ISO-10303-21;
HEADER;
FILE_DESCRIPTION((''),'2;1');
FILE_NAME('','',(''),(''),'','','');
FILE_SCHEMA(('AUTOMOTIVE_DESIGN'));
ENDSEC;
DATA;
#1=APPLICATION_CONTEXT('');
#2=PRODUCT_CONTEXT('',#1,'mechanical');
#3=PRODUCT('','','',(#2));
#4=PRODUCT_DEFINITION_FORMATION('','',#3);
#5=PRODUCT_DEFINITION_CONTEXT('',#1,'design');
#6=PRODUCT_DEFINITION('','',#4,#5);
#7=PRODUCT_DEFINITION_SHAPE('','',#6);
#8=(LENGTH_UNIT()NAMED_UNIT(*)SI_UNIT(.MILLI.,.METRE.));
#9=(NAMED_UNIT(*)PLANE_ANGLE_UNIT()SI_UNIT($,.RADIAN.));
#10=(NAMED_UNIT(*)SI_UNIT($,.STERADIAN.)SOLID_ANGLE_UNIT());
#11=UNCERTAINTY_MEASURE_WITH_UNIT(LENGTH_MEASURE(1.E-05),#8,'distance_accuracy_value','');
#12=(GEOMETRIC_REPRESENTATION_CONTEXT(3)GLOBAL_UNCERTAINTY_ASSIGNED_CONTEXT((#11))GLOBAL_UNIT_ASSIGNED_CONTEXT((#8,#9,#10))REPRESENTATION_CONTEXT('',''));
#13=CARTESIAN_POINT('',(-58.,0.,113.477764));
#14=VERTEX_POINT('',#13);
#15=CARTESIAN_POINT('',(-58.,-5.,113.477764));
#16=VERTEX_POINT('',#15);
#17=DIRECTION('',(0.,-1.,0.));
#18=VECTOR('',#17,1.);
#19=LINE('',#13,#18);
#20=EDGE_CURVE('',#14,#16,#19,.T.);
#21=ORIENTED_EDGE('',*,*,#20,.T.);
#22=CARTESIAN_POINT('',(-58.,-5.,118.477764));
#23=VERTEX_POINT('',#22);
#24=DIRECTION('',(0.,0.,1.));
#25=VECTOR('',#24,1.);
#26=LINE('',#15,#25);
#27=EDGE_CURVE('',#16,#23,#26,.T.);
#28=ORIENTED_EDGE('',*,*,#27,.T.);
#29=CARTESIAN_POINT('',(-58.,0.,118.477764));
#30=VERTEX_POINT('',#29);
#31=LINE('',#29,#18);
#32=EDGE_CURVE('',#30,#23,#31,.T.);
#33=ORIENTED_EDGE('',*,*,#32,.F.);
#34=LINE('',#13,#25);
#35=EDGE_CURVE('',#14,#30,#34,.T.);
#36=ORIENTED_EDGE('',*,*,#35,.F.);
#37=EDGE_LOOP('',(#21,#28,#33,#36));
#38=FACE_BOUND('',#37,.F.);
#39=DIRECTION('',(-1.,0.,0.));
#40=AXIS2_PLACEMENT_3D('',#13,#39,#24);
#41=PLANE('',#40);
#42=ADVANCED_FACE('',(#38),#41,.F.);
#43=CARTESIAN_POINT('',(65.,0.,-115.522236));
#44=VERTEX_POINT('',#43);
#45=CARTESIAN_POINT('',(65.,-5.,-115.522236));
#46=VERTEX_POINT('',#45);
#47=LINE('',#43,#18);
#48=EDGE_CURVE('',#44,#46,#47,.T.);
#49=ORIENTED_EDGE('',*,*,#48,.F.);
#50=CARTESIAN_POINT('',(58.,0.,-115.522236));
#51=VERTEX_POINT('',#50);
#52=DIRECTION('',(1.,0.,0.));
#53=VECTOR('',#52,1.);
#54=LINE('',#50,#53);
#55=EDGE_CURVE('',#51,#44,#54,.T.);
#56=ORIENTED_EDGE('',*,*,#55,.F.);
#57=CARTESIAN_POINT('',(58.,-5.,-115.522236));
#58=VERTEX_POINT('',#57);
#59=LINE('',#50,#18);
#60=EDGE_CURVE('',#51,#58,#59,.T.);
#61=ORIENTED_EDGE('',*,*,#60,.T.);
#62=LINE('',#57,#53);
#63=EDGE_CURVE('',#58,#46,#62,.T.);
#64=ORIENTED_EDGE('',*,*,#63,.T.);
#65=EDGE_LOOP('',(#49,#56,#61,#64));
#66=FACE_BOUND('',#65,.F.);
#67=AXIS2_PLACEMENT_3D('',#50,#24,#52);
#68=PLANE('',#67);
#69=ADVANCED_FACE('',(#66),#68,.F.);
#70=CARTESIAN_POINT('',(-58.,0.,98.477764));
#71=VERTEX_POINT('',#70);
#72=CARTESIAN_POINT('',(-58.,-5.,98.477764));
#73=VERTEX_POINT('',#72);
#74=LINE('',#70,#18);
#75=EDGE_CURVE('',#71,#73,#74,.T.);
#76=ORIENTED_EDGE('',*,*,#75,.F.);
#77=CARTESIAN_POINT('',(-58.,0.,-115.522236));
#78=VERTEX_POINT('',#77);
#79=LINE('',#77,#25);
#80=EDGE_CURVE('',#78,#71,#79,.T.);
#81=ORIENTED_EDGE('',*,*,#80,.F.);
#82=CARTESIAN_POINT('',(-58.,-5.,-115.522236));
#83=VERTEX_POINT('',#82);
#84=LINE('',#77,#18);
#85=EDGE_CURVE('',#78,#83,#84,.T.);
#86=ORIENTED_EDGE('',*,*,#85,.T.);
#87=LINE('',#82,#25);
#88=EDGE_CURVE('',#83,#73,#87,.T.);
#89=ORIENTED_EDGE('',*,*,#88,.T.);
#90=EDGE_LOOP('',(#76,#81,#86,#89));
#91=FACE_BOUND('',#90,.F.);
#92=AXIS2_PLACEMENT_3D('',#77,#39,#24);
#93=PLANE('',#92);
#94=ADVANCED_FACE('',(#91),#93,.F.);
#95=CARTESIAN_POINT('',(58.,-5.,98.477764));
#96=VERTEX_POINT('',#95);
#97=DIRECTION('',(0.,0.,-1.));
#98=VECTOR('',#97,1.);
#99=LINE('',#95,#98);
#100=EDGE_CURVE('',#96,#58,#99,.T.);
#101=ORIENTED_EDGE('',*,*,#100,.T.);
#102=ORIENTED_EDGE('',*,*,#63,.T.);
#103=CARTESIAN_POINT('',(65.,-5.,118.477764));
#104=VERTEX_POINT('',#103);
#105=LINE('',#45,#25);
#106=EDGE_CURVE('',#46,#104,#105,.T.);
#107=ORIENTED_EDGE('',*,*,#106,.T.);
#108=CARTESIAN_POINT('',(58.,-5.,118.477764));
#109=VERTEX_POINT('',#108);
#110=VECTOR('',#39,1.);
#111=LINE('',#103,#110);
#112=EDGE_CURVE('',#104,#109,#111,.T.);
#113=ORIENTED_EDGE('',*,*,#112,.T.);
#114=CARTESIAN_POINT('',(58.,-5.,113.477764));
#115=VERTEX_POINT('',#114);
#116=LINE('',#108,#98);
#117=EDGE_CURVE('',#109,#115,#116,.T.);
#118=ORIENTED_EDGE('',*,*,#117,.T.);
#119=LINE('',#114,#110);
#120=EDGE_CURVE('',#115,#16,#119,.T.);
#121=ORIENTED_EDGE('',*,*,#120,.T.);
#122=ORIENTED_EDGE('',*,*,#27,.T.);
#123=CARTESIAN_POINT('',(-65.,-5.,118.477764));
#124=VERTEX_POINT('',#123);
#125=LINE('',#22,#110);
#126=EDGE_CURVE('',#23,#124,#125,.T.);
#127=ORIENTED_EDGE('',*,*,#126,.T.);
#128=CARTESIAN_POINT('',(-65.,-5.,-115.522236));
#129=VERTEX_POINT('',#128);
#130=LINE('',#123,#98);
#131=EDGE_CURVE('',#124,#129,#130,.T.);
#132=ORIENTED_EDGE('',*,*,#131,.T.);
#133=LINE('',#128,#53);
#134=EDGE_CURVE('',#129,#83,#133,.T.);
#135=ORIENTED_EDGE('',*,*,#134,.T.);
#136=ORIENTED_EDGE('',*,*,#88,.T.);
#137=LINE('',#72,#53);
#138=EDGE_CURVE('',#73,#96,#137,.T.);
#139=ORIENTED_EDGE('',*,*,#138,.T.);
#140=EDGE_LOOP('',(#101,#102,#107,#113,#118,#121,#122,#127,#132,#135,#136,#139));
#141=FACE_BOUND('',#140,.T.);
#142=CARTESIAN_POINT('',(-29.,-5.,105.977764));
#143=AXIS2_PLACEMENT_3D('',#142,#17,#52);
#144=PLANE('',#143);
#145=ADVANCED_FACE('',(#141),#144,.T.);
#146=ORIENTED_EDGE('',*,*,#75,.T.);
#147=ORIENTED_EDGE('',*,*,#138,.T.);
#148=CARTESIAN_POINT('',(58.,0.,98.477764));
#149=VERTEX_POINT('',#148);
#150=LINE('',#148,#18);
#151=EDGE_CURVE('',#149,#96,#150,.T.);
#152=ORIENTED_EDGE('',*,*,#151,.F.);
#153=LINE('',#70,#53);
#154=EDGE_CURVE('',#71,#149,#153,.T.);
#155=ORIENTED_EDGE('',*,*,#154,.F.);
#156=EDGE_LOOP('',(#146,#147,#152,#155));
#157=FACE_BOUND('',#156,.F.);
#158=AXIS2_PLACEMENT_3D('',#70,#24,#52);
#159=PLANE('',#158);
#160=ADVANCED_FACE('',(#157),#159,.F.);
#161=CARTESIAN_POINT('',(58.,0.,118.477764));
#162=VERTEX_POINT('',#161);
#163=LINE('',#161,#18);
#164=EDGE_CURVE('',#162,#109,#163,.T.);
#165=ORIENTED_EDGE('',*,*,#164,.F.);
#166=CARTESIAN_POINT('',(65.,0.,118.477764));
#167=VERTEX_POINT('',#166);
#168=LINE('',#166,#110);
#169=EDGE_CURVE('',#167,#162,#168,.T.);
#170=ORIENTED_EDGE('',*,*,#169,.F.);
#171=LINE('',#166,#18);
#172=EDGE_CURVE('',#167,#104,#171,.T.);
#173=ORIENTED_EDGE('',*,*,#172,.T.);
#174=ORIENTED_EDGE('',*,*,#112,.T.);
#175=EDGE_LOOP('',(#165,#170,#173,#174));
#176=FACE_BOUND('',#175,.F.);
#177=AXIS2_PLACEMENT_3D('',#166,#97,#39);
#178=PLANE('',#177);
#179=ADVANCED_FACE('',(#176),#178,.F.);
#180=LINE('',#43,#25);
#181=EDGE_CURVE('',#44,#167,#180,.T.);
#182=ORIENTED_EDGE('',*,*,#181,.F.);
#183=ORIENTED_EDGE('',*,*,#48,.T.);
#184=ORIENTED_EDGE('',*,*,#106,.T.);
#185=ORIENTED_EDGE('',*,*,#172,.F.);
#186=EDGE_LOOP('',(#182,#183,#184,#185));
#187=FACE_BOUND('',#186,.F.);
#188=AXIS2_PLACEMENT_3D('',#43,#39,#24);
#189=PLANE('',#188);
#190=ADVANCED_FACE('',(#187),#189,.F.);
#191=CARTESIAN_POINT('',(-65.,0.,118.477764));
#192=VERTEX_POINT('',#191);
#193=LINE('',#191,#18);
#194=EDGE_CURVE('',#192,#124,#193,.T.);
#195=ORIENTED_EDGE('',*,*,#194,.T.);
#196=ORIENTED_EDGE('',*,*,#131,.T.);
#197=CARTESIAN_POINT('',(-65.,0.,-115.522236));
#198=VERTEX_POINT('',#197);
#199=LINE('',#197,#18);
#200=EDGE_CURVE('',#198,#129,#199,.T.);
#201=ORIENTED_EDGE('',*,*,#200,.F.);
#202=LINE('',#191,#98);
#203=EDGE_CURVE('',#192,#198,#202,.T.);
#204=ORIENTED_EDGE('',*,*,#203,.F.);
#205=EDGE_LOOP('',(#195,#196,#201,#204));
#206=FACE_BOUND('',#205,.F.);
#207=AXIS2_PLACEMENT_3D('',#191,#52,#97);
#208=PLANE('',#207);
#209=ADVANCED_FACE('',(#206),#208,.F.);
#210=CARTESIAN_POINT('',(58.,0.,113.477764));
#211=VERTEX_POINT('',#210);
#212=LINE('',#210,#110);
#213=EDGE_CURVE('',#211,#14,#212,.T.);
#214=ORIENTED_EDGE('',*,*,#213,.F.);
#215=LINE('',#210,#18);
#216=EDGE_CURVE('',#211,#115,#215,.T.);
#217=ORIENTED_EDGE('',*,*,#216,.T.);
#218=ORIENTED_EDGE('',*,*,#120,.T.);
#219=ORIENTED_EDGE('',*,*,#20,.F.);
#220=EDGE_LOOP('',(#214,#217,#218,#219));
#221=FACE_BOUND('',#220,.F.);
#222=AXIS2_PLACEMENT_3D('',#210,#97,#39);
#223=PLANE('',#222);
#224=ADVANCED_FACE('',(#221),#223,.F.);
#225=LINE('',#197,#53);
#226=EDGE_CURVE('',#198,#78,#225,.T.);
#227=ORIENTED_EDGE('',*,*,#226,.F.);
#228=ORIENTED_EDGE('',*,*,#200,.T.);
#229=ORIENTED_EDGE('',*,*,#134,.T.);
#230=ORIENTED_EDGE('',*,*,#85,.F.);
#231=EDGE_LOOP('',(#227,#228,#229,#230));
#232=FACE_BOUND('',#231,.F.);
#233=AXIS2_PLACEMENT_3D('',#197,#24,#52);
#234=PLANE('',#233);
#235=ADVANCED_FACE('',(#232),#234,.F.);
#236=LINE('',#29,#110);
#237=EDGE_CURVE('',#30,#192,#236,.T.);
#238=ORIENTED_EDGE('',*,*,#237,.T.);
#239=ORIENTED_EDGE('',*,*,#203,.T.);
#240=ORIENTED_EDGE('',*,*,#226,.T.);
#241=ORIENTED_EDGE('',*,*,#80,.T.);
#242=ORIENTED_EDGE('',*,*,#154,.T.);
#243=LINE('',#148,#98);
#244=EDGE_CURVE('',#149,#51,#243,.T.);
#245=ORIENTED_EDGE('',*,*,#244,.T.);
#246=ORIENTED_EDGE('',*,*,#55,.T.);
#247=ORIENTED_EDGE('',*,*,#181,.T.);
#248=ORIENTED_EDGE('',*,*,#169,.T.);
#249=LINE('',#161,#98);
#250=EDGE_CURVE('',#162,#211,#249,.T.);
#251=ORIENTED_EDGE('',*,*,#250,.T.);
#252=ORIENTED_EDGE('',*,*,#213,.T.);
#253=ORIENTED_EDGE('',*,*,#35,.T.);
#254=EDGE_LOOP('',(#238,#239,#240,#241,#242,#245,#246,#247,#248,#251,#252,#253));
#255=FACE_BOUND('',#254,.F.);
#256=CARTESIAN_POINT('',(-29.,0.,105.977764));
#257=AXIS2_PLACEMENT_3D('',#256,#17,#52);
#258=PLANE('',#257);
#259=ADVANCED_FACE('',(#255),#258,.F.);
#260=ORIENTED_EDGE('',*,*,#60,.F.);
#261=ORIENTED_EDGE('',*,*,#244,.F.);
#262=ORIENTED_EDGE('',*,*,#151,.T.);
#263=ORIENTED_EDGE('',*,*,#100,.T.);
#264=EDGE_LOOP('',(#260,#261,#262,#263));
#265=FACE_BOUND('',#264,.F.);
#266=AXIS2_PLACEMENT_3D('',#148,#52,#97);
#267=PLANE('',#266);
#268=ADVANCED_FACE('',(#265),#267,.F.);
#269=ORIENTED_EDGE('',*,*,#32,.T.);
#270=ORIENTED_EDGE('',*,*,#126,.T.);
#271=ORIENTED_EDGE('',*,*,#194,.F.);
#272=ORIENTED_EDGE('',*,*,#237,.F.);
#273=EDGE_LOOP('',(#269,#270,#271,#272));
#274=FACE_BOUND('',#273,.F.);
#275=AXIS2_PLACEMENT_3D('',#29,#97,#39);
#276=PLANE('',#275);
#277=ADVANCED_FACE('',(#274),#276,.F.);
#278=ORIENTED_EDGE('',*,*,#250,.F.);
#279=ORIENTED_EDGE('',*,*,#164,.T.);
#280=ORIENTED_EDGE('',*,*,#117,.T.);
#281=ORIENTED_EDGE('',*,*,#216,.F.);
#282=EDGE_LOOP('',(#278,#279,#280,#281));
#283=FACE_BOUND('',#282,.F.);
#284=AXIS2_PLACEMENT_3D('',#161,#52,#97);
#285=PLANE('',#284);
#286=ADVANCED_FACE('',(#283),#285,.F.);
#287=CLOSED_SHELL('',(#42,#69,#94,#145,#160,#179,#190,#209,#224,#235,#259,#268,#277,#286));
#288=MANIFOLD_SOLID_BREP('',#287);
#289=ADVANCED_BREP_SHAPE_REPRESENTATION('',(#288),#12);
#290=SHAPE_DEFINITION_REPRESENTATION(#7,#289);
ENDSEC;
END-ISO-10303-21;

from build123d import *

# Parameters (mm, degrees)
F0_W     = 58
F0_H     = 15
F1_DEPTH = 5


with BuildPart() as f1:
    # F0 (on Front) → F1 (new body)
    with BuildSketch(Plane.XZ):
        with Locations((-29, 105.977764)):
            Rectangle(F0_W, F0_H)
        Polygon((-65, 118.477764), (-65, -115.522236), (-58, -115.522236), (-58, 98.477764), (-58, 113.477764), (-58, 118.477764), align=None)
        with Locations((29, 105.977764)):
            Rectangle(F0_W, F0_H)
        Polygon((58, 113.477764), (58, 98.477764), (58, -115.522236), (65, -115.522236), (65, 118.477764), (58, 118.477764), align=None)
    extrude(amount=F1_DEPTH)


solid = f1.part
